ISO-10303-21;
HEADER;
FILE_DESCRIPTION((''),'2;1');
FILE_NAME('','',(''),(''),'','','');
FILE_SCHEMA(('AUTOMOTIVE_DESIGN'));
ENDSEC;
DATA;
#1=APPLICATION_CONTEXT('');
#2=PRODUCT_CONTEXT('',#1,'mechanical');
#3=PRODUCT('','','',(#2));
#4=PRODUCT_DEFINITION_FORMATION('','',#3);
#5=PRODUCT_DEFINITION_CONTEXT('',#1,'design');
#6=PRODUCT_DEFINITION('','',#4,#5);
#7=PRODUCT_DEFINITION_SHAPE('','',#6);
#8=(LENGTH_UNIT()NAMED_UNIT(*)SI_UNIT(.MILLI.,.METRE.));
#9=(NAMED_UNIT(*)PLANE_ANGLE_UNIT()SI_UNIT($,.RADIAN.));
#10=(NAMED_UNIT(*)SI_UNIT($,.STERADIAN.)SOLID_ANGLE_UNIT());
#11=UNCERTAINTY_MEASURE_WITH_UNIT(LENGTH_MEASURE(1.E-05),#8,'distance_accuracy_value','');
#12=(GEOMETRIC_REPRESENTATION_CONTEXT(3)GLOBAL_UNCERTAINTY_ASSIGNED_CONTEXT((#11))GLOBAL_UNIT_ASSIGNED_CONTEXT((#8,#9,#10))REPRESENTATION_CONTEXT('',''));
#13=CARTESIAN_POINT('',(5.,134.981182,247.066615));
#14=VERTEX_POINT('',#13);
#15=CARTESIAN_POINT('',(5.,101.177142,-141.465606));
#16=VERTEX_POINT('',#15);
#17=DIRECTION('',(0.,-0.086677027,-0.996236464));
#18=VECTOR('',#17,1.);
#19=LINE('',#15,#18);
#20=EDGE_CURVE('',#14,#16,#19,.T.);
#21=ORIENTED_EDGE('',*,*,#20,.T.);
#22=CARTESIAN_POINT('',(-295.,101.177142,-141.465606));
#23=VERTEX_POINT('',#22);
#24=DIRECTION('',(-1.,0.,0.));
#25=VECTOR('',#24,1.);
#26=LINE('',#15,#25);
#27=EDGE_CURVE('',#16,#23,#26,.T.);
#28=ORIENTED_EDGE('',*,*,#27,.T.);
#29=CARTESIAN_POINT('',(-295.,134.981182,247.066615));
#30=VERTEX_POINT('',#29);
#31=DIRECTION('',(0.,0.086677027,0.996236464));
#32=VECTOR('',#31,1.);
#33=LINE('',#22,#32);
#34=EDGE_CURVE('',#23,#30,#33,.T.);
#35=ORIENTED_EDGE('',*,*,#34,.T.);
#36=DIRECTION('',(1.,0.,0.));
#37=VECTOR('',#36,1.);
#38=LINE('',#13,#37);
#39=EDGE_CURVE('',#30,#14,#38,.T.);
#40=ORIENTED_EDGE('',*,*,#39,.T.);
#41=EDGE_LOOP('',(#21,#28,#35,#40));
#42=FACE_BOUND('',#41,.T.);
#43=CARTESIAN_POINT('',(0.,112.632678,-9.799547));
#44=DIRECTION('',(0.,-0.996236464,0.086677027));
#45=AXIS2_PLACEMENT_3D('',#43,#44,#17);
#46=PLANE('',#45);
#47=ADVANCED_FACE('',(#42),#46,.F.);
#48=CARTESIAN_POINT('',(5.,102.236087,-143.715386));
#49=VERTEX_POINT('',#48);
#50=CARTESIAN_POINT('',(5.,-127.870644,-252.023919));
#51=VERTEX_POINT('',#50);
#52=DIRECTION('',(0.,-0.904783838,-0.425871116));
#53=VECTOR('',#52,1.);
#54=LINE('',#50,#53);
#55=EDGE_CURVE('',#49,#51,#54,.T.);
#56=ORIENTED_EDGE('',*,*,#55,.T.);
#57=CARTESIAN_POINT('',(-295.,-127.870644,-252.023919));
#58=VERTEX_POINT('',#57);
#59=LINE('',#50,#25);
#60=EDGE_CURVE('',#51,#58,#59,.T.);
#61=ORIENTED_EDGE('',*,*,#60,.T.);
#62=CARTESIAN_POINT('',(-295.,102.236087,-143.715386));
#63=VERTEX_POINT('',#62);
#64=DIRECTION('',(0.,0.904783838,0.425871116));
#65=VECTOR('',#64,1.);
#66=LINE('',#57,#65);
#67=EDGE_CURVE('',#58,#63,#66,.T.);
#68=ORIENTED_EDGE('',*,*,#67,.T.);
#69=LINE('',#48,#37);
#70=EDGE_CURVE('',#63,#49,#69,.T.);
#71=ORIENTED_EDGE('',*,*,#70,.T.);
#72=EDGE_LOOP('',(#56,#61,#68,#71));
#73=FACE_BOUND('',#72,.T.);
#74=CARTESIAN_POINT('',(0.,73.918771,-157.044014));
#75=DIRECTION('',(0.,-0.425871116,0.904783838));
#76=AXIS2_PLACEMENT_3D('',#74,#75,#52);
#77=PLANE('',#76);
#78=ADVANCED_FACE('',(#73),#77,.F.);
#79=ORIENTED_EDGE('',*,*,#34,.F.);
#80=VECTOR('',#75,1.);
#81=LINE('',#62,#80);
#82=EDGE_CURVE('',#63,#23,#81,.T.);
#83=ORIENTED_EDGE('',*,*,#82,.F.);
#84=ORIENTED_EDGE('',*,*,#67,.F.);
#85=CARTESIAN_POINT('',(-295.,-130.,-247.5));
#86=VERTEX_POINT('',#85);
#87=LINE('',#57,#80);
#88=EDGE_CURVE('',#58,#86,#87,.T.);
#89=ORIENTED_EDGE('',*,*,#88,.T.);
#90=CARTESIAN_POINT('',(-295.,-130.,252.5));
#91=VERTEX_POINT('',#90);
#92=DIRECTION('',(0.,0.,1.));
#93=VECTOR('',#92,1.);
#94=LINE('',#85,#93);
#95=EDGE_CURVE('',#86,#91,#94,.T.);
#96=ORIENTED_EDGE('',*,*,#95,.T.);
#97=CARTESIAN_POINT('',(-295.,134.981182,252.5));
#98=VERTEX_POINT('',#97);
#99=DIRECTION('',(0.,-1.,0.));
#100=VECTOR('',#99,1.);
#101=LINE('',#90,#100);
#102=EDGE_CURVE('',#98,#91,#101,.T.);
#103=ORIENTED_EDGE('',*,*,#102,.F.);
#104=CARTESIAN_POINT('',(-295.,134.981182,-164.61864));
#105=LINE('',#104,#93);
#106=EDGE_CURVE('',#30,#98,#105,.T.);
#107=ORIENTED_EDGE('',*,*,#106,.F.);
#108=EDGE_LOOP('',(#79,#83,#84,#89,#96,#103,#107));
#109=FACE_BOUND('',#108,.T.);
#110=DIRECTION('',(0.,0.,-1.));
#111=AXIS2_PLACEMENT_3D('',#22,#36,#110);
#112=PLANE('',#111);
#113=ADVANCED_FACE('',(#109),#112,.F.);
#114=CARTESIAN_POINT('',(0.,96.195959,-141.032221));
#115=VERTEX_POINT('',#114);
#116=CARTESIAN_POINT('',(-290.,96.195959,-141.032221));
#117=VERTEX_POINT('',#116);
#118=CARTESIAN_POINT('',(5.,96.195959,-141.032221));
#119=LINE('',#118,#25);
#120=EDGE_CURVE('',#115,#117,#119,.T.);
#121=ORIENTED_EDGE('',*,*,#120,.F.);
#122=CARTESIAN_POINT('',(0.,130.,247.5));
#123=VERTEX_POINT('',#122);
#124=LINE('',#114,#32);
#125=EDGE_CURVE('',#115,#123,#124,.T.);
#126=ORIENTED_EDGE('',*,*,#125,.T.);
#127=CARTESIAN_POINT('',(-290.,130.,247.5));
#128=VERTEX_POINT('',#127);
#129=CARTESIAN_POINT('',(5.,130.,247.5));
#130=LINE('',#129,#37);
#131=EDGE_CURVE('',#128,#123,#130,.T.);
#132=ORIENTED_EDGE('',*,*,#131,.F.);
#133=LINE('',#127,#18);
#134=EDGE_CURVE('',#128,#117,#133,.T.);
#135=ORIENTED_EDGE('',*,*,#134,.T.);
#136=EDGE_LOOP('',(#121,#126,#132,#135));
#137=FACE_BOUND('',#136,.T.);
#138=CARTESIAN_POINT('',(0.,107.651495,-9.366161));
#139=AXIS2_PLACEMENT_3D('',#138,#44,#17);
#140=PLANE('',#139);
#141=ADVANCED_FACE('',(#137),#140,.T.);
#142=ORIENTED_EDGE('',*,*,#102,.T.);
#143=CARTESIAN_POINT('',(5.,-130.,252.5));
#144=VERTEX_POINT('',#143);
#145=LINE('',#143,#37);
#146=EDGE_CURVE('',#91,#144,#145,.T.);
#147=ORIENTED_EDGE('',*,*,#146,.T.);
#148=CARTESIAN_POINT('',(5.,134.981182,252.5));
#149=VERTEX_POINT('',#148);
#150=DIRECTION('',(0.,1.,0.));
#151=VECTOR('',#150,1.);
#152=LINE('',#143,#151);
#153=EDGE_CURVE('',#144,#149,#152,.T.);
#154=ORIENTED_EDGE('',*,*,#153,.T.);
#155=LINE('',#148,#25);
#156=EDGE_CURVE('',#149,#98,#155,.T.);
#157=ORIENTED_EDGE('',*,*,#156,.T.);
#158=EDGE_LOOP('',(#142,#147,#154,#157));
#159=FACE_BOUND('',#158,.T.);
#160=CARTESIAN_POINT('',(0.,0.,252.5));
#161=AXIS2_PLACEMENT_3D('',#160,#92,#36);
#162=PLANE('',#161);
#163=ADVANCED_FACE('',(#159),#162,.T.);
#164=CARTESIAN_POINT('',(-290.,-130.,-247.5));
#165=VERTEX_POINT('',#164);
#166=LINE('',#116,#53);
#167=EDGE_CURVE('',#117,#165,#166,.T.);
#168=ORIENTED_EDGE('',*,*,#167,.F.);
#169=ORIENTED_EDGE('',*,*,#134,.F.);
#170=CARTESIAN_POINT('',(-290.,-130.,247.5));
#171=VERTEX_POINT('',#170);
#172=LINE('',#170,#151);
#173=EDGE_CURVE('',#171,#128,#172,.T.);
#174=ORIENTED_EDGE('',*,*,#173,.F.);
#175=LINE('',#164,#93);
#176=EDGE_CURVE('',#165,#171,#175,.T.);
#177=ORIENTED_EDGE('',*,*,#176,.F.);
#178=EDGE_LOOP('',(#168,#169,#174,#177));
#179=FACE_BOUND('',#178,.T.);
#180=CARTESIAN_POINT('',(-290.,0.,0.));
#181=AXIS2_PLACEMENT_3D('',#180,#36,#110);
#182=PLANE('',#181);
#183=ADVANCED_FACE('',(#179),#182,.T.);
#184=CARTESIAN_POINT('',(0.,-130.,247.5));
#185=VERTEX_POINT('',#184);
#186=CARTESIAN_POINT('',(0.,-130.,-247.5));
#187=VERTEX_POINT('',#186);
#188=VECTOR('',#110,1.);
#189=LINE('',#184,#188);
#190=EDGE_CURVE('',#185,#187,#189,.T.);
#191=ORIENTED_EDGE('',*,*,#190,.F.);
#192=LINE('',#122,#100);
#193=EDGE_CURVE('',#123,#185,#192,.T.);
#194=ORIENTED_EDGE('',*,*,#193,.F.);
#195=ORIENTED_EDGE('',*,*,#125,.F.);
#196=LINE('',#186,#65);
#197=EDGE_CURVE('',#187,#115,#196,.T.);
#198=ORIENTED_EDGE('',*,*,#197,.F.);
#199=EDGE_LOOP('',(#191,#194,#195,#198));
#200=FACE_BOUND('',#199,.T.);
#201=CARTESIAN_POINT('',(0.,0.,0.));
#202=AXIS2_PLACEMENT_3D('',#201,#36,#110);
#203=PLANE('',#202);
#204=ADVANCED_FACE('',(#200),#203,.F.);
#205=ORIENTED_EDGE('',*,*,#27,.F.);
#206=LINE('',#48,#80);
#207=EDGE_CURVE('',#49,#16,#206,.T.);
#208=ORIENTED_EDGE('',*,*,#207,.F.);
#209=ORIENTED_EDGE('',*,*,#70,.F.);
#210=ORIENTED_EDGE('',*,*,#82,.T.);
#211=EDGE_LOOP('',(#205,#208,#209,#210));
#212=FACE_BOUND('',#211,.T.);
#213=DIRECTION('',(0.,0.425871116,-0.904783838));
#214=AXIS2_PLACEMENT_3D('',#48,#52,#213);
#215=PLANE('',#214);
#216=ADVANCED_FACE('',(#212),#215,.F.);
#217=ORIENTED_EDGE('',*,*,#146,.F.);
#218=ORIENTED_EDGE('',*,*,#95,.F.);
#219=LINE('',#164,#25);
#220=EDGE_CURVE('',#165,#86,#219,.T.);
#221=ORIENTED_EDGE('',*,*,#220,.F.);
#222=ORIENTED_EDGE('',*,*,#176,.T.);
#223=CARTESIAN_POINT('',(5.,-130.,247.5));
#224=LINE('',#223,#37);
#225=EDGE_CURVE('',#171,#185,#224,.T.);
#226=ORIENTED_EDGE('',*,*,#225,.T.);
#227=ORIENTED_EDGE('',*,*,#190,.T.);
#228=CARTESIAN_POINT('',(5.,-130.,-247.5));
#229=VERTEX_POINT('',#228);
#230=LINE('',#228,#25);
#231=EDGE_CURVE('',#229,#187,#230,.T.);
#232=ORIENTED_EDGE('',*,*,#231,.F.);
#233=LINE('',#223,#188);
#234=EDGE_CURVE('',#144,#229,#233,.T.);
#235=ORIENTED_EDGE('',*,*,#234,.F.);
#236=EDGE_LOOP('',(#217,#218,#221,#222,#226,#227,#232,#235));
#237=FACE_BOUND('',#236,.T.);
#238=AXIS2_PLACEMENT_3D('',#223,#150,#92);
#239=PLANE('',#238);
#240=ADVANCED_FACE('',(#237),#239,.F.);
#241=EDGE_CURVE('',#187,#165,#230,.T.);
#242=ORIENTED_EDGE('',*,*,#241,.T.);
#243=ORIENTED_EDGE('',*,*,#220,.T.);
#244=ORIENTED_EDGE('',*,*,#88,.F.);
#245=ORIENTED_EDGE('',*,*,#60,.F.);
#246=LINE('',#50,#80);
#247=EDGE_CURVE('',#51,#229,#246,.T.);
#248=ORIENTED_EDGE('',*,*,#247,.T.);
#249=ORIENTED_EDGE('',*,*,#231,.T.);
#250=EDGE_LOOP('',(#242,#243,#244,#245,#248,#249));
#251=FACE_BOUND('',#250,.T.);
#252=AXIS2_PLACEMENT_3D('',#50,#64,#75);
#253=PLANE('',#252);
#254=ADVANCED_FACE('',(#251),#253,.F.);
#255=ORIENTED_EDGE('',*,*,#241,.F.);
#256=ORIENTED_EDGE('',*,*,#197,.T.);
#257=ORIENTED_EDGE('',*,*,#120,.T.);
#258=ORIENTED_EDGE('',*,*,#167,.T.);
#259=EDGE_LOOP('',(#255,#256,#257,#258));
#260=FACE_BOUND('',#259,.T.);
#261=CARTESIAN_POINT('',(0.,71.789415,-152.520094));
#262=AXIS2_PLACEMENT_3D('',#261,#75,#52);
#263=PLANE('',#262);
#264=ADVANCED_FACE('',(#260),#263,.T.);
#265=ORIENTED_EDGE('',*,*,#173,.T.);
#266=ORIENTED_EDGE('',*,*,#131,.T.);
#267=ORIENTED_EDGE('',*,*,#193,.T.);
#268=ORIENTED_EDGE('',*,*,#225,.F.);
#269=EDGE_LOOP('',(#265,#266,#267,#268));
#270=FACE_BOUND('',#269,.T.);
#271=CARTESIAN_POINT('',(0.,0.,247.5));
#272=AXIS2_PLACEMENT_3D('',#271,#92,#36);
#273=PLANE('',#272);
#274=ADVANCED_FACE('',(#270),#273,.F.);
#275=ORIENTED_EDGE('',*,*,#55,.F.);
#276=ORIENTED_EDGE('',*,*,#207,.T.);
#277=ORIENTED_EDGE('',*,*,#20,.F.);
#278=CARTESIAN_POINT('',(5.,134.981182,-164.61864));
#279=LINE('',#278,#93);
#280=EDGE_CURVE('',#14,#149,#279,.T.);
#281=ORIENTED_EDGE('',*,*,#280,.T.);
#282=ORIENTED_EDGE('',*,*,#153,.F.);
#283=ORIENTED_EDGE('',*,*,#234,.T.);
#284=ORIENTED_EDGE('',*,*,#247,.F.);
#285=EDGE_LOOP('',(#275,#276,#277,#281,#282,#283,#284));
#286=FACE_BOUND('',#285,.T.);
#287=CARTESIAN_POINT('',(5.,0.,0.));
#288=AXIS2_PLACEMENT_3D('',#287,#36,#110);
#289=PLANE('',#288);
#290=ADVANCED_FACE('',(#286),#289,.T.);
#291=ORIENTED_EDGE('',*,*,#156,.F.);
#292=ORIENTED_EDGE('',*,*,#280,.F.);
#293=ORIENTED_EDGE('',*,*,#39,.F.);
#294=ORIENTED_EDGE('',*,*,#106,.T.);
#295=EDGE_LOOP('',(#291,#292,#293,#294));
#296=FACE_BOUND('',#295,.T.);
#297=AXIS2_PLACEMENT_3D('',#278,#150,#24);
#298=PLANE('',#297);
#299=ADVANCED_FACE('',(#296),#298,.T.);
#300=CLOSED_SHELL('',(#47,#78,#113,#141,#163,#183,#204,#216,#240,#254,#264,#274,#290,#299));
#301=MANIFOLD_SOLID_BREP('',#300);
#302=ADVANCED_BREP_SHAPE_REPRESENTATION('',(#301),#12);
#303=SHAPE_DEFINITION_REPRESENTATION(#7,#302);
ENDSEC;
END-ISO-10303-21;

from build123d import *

# Parameters (mm, degrees)
BOSS_EXTRUDE1_DEPTH             = 5
SKETCH2_W                       = 300
SKETCH2_H                       = 390
BOSS_EXTRUDE2_DEPTH             = 5
BOSS_EXTRUDE3_DEPTH             = 5
SKETCH4_W                       = 300
SKETCH4_H                       = 254.322327046
BOSS_EXTRUDE4_DEPTH             = 5
SKETCH7_W                       = 300
SKETCH7_H                       = 264.981182322
BOSS_EXTRUDE7_DEPTH             = 5
BOSS_EXTRUDE7_DIRECTION_2_REACH = 597.625


with BuildPart() as part:
    # Sketch1 → Boss-Extrude1 (new body)
    with BuildSketch(Plane(origin=(0, 0, 0), x_dir=(0, 0, -1), z_dir=(1, 0, 0))):
        Polygon((-247.5, 130), (-247.5, -130), (247.5, -130), (141.03222111, 96.195959421), align=None)
    extrude(amount=BOSS_EXTRUDE1_DEPTH)

    # Sketch2 → Boss-Extrude2 (add)
    with BuildSketch(Plane(origin=(0, 107.651495361, -9.366161466), x_dir=(1, 0, 0), z_dir=(0, 0.9962364643840649, -0.08667702712678799))):
        with Locations((-145, -62.836538462)):
            Rectangle(SKETCH2_W, SKETCH2_H)
    extrude(amount=BOSS_EXTRUDE2_DEPTH)

    # Sketch3 → Boss-Extrude3 (add)
    with BuildSketch(Plane.ZY.offset(295)):
        Polygon((247.5, 130), (-141.03222111, 96.195959421), (-247.5, -130), (247.5, -130), align=None)
    extrude(amount=-BOSS_EXTRUDE3_DEPTH)

    # Sketch4 → Boss-Extrude4 (add)
    with BuildSketch(Plane(origin=(0, 71.789415399, -152.520094452), x_dir=(-1, 0, 0), z_dir=(0, 0.42587111556085877, -0.904783837682211))):
        with Locations((145, -95.863836477)):
            Rectangle(SKETCH4_W, SKETCH4_H)
    extrude(amount=BOSS_EXTRUDE4_DEPTH)

    # Sketch7 → Boss-Extrude7 (add)
    with BuildSketch(Plane.XY.offset(247.5)):
        with Locations((-145, 2.490591161)):
            Rectangle(SKETCH7_W, SKETCH7_H)
    extrude(amount=BOSS_EXTRUDE7_DEPTH)

    # Boss-Extrude7 direction 2: up to this face of the body (flat: up to its plane)
    boss_extrude7_direction_2_end = Plane(part.part.faces().sort_by_distance((-145, 132.490591161, 247.283307432))[0])
    # Sketch7 → Boss-Extrude7 direction 2 (add, up to the picked face)
    with BuildSketch(Plane.XY.offset(247.5), mode=Mode.PRIVATE) as boss_extrude7_direction_2_sk1:
        with Locations((-145, 2.490591161)):
            Rectangle(SKETCH7_W, SKETCH7_H)
    boss_extrude7_direction_2_tool1 = split(extrude(boss_extrude7_direction_2_sk1.sketch, amount=-BOSS_EXTRUDE7_DIRECTION_2_REACH, mode=Mode.PRIVATE), bisect_by=boss_extrude7_direction_2_end, keep=Keep.BOTH, mode=Mode.PRIVATE)
    add(boss_extrude7_direction_2_tool1.solids().sort_by(Axis((-145, 2.490591, 247.5), (0, 0, -1)))[0])


solid = part.part
